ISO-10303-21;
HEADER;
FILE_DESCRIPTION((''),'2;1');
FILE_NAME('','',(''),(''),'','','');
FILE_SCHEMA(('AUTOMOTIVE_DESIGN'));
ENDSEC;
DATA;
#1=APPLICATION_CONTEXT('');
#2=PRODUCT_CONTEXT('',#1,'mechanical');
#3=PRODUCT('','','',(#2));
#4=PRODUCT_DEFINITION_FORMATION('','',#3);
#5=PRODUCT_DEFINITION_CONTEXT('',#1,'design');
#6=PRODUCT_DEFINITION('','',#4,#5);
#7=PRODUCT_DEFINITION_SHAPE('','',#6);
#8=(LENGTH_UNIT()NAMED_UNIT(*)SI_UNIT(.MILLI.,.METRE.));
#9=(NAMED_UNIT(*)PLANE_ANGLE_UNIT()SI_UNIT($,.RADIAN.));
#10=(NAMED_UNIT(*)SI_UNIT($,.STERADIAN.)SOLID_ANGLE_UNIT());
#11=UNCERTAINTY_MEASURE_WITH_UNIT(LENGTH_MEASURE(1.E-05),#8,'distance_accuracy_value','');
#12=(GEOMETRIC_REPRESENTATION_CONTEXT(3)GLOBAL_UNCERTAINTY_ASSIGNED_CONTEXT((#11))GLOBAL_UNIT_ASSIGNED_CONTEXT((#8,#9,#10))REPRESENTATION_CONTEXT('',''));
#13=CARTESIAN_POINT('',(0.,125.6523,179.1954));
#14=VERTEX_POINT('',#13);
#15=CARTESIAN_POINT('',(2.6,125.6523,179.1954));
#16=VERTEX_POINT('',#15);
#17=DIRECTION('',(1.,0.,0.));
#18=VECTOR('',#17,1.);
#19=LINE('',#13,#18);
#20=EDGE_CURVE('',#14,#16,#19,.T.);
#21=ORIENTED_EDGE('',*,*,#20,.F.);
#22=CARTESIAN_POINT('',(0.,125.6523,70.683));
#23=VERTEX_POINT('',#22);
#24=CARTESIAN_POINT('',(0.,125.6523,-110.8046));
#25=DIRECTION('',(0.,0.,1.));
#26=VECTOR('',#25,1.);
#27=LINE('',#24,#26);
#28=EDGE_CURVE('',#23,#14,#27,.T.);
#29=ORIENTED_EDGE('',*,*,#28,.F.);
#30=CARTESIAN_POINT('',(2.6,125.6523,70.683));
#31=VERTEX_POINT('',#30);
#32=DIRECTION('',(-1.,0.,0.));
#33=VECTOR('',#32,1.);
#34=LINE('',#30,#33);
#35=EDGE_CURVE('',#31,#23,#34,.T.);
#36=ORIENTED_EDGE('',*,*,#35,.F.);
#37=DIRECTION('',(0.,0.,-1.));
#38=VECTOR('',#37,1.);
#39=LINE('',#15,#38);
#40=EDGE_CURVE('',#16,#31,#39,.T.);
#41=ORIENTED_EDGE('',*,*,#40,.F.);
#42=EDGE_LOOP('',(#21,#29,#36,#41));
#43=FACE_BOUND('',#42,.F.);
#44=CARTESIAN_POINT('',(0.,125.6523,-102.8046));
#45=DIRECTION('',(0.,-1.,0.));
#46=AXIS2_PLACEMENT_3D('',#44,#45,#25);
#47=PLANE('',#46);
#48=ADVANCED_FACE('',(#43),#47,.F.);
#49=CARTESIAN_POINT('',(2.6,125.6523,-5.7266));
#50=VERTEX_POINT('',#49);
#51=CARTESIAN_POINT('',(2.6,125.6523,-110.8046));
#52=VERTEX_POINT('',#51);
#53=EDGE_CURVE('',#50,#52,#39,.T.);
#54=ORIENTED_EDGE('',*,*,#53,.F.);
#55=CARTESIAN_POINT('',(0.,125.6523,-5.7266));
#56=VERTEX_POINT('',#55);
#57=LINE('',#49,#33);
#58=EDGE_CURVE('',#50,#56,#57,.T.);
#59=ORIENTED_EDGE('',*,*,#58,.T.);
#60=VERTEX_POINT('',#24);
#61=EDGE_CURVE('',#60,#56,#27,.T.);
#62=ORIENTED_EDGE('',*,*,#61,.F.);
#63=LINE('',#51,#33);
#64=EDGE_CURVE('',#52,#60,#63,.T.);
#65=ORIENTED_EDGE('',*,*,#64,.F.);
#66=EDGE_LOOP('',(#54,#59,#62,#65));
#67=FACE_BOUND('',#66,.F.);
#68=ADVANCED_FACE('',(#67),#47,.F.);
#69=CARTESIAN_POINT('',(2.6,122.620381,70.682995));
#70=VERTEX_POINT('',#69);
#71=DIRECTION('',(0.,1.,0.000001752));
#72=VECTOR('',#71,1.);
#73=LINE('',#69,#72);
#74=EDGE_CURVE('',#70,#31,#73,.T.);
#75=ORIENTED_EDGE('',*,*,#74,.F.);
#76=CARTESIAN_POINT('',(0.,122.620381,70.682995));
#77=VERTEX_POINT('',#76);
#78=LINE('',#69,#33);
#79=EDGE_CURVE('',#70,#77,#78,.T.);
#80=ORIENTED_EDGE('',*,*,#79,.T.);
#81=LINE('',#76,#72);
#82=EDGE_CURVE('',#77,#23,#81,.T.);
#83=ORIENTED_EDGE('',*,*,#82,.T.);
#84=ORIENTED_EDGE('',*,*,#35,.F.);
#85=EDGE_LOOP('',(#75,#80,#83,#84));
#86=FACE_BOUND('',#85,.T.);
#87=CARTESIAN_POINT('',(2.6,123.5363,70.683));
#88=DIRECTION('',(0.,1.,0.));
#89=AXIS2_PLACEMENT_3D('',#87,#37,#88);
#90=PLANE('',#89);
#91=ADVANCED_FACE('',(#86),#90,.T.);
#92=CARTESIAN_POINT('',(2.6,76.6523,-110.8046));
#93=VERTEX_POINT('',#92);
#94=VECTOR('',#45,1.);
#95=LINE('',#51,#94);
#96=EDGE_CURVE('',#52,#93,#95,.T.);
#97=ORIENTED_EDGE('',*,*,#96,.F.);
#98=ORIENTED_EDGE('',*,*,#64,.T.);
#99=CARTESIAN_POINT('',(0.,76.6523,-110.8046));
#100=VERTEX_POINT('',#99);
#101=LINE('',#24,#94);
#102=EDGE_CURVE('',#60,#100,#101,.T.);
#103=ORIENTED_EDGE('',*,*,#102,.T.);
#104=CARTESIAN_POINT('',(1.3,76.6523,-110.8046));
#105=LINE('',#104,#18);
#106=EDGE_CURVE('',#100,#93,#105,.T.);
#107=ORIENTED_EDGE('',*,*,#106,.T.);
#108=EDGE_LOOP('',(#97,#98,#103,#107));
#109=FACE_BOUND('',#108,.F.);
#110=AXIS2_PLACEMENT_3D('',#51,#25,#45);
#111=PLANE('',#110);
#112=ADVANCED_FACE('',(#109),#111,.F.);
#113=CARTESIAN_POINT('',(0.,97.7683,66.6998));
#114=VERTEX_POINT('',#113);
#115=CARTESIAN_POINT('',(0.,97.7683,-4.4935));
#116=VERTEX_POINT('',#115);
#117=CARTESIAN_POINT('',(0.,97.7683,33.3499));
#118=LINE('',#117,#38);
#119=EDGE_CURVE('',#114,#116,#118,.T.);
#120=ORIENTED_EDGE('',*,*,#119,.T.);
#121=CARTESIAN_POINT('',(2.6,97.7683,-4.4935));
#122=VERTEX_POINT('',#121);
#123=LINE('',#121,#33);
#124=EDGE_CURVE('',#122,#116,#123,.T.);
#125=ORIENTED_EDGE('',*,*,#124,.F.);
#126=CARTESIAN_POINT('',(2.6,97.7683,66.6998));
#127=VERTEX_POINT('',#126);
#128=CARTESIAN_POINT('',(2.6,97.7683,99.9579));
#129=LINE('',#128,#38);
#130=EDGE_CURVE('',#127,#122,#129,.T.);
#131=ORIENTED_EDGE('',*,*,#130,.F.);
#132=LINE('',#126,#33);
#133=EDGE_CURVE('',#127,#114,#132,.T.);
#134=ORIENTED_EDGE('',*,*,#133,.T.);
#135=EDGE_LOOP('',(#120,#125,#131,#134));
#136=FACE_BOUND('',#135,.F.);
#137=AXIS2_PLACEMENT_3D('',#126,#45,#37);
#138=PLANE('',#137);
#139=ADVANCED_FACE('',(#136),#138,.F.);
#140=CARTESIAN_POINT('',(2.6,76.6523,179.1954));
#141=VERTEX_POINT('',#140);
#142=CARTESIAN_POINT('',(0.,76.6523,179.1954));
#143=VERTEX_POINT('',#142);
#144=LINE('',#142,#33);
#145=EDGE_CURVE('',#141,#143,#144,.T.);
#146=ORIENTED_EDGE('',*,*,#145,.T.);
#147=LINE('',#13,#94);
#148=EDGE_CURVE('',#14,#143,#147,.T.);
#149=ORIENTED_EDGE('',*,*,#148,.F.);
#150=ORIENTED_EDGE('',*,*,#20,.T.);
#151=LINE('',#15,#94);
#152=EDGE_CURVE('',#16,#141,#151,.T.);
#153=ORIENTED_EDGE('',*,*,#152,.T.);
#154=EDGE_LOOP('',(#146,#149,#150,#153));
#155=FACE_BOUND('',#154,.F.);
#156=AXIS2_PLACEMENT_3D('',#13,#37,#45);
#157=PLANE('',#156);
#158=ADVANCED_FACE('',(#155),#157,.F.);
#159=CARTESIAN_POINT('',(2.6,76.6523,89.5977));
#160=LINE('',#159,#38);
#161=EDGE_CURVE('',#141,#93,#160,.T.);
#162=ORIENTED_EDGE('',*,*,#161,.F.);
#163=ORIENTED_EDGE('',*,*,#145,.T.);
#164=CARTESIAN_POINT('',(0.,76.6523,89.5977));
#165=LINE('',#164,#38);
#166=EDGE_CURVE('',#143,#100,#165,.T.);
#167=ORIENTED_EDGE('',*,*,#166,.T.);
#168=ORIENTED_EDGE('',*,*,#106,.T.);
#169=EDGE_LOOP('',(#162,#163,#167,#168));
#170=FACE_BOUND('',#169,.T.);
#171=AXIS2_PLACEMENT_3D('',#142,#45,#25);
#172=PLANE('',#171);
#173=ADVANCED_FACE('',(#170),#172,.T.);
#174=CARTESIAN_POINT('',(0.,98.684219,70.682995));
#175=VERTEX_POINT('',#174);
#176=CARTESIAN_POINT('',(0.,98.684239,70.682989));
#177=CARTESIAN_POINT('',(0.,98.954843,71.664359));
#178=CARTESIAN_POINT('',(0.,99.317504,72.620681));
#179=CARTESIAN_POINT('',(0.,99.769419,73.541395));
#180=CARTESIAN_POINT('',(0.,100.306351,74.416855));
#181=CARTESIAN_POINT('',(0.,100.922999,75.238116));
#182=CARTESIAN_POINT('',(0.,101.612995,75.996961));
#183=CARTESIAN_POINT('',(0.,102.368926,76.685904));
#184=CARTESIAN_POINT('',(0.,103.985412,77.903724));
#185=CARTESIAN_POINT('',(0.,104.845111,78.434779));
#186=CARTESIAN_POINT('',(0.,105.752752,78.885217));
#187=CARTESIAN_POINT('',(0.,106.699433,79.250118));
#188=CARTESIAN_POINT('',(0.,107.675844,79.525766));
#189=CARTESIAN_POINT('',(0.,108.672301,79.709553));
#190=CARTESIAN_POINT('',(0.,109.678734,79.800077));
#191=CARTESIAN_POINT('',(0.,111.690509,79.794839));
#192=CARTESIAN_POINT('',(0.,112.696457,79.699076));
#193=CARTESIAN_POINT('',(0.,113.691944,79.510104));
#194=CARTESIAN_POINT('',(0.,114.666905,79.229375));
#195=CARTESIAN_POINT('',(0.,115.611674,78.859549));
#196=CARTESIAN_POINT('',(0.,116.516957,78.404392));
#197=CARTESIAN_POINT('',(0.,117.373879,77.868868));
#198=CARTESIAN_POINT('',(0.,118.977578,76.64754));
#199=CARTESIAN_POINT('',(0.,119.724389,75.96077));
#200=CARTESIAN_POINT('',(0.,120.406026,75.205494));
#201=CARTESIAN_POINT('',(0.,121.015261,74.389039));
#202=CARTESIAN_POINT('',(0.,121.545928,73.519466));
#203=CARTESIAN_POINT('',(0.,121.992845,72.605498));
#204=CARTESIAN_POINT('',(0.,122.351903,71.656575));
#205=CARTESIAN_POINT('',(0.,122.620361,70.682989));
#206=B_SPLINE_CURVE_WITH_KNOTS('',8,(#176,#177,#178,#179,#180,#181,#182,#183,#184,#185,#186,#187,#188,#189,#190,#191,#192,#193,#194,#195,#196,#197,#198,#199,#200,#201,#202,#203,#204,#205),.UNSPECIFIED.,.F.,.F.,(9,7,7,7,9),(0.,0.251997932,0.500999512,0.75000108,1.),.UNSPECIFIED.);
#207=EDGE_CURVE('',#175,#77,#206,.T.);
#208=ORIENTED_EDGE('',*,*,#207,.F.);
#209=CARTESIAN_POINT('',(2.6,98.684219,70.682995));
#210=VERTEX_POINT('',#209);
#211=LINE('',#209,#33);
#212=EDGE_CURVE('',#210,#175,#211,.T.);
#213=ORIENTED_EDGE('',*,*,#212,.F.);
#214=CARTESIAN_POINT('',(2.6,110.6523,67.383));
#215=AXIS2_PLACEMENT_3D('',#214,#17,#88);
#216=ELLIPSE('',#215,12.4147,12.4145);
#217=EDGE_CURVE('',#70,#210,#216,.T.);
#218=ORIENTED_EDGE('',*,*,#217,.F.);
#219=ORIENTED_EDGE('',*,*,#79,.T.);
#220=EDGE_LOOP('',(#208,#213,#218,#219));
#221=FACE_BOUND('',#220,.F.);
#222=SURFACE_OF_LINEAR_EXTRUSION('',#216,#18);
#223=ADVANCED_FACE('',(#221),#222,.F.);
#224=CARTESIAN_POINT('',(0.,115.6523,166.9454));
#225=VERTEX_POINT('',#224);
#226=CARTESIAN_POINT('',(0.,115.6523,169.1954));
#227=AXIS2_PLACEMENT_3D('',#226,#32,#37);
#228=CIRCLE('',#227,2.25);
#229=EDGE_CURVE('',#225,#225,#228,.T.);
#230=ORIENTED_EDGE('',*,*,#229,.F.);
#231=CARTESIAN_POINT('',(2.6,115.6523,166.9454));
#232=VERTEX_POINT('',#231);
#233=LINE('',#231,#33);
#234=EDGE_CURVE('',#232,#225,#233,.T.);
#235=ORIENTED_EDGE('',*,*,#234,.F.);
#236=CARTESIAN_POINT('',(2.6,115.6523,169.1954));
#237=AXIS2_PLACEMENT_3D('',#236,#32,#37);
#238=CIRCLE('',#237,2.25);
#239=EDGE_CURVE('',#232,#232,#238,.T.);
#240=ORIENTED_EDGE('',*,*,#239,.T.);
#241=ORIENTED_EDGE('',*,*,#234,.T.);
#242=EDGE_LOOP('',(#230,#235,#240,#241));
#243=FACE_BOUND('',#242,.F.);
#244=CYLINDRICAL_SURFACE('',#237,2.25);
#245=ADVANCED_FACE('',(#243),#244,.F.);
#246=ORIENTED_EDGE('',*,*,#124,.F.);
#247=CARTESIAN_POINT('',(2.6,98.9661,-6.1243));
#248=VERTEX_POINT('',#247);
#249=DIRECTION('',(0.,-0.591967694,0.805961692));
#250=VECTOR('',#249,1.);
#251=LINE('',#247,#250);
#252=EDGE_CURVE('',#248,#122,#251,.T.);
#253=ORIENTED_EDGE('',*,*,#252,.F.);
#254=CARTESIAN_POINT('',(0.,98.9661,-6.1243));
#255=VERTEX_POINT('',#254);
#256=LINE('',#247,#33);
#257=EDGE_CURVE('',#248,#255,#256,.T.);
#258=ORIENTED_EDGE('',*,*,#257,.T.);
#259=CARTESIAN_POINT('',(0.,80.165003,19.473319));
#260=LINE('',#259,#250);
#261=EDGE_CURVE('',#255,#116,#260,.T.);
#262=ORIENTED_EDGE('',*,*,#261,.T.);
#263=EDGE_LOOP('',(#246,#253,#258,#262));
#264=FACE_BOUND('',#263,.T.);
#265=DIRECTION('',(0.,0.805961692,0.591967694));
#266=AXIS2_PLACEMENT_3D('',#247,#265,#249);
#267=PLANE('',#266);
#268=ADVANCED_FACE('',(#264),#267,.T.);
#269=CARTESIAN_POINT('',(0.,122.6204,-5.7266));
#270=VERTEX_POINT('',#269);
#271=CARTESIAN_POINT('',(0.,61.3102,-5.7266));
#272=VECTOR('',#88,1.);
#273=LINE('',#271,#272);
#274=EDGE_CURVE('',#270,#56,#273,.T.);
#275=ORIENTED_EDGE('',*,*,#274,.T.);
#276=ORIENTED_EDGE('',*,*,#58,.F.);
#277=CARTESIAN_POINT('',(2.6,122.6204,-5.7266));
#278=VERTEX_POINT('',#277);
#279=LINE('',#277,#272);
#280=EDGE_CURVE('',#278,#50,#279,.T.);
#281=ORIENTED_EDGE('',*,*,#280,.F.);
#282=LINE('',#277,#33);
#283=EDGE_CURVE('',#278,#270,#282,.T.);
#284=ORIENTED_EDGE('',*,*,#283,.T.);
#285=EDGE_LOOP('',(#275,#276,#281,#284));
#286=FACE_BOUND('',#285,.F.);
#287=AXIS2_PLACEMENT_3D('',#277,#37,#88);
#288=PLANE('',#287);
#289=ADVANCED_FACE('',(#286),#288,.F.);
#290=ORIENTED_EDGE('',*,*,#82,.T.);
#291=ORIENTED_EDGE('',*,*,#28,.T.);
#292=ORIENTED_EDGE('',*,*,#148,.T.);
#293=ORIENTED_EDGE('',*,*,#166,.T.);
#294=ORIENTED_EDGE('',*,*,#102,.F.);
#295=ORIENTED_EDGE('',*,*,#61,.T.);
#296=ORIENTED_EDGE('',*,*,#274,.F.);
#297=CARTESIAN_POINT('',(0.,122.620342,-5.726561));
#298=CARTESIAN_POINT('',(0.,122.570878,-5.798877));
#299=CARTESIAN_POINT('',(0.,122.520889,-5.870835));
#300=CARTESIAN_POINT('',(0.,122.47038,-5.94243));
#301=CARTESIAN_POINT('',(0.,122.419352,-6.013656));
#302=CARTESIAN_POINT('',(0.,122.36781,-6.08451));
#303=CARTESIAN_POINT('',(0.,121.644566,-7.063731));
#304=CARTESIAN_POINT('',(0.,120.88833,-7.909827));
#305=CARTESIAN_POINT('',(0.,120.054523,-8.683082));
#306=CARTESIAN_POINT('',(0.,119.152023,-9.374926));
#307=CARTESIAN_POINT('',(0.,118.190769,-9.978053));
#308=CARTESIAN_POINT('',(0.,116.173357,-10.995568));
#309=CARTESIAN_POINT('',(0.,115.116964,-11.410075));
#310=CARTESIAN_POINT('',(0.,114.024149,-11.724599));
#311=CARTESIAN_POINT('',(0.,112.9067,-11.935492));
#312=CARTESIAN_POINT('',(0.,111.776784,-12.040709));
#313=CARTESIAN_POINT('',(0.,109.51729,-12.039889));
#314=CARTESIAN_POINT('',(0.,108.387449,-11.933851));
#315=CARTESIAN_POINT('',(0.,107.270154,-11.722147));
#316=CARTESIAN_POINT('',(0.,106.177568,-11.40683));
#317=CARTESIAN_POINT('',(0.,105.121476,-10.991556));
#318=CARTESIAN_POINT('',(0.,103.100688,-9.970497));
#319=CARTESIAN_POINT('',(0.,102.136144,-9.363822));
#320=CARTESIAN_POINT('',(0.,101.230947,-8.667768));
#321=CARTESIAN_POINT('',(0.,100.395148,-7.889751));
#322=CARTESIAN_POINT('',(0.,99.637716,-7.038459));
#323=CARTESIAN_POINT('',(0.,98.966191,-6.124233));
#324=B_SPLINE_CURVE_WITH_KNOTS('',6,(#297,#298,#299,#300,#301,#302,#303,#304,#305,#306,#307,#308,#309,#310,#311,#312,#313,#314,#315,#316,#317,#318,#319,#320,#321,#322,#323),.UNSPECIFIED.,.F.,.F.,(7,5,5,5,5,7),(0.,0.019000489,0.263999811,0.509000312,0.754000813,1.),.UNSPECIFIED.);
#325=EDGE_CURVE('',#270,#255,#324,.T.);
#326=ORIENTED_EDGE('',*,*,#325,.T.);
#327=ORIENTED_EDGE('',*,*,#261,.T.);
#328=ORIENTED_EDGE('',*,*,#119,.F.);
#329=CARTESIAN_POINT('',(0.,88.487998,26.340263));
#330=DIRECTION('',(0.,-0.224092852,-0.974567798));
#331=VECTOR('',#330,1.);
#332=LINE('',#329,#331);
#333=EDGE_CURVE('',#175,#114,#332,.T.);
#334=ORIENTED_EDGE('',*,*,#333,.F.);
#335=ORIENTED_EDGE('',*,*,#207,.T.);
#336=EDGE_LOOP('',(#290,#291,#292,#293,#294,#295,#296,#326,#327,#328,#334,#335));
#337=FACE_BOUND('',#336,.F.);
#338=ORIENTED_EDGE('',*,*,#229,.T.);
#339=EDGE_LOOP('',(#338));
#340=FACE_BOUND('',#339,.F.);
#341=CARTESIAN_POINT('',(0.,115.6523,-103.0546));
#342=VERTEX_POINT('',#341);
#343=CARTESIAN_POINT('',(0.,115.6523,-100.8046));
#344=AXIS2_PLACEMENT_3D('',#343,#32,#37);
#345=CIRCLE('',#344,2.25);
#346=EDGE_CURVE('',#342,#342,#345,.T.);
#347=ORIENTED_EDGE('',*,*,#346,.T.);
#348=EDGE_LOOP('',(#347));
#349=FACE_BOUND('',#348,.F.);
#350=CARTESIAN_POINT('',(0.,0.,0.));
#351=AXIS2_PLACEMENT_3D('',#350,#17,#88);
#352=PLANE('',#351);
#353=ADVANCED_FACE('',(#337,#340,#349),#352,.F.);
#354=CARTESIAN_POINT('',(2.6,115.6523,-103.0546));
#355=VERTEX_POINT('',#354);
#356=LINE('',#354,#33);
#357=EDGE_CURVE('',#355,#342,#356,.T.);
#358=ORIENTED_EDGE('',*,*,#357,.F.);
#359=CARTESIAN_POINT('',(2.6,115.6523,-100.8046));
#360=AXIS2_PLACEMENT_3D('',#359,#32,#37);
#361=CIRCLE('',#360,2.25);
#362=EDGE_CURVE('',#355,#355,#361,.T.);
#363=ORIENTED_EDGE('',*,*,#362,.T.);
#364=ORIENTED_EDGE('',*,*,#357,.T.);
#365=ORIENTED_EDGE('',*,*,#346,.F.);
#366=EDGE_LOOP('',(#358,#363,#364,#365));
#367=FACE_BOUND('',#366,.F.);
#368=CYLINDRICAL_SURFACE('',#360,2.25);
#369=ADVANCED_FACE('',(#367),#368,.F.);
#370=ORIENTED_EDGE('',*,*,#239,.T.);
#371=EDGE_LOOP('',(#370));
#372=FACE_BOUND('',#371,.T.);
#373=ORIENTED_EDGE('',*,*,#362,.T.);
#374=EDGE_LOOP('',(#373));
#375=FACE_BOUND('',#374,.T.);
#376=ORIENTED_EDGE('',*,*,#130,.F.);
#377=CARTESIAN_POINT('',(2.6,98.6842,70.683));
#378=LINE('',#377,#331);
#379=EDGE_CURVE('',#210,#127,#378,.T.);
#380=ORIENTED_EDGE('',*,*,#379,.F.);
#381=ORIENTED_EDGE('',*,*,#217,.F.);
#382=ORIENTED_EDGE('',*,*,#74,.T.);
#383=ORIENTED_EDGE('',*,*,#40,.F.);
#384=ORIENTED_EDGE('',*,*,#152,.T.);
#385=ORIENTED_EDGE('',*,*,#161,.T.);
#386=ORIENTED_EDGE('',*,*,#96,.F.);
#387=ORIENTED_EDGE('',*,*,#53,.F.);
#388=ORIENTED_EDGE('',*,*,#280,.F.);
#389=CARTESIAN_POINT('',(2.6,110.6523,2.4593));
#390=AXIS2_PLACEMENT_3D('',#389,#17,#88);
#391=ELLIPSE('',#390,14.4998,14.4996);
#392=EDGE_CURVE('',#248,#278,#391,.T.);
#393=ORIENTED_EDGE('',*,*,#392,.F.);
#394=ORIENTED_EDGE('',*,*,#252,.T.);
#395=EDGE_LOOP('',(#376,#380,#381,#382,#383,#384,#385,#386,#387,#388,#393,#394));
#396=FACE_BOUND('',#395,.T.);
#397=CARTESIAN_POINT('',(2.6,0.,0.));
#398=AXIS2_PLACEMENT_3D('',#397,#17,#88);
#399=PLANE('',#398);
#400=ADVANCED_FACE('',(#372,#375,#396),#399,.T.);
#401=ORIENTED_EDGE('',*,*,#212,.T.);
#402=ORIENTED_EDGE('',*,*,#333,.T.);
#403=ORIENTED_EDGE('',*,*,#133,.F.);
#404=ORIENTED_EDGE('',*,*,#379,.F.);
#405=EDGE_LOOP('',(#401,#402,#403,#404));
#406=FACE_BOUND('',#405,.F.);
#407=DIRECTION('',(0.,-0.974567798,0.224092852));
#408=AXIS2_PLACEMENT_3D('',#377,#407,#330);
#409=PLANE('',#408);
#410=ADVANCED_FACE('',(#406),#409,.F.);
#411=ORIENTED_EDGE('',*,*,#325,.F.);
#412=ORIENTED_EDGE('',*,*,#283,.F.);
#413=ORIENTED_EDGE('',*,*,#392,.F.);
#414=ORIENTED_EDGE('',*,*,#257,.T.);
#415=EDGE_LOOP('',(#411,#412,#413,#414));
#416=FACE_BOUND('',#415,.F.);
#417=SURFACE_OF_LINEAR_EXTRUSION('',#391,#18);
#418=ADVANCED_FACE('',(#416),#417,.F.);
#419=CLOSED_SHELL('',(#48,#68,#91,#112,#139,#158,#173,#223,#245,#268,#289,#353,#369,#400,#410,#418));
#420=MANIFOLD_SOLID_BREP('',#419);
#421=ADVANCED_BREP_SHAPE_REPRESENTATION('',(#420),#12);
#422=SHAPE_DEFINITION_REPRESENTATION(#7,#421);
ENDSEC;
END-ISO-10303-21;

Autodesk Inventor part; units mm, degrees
ref_plane "YZ Plane" through (0, 0, 0) normal (1, 0, 0) x (0, 1, 0)
ref_plane "XZ Plane" through (0, 0, 0) normal (0, 1, 0) x (-1, 0, 0)
sketch "スケッチ1" plane through (0, 0, 0) normal (1, 0, 0) x (0, 1, 0)
  line L0 (125.6523, 179.1954) -> (-474.3477, 179.1954)
  line L1 (-474.3477, 179.1954) -> (-474.3477, -102.8046)
  line L2 (-474.3477, -102.8046) -> (125.6523, -102.8046)
  line L3 (125.6523, -102.8046) -> (125.6523, 179.1954)
  dimension "d0" = 600
  dimension "d1" = 282
extrude "押し出し1" add sketch "スケッチ1" along normal blind 2.6
sketch "スケッチ4" plane through (2.6, 0, 0) normal (1, 0, 0) x (0, 0, -1)
  line L0 (102.8046, 125.6523) -> (-179.1954, 125.6523) projected
  line L1 (-179.1954, 125.6523) -> (-179.1954, -474.3477) projected
  point P0 (0, 0)
  point P1 (-139.1954, -225.3477)
  point P2 (-139.1954, -123.3477)
  dimension "d19" = 102
  dimension "d20" = 249
  dimension "d21" = 40
  dimension "d22" = 40
hole "穴2" at (2.6, -225.3477, 139.1954) at (2.6, -123.3477, 139.1954) direction (-1, 0, 0) diameter 6.6 end through all
sketch "スケッチ5" plane through (2.6, 0, 0) normal (1, 0, 0) x (0, 0, -1)
  line L0 (-179.1954, 125.6523) -> (-179.1954, -474.3477) projected
  line L1 (102.8046, 125.6523) -> (-179.1954, 125.6523) projected
  point P0 (-152.1954, -84.3477)
  dimension "d30" = 27
  dimension "d31" = 210
hole "穴3" at (2.6, -84.3477, 152.1954) direction (-1, 0, 0) diameter 18 end through all
sketch "スケッチ6" plane through (2.6, 0, 0) normal (1, 0, 0) x (0, 0, -1)
  line L0 (-179.1954, 125.6523) -> (-179.1954, -474.3477) projected
  circle A0 centre (-152.1954, -84.3477) radius 9 projected
  point P0 (0, 0)
  point P1 (-166.6954, -53.9477)
  point P2 (-151.6954, -53.9477)
  dimension "d39" = 12.5
  dimension "d40" = 27.5
  dimension "d41" = 30.4
  dimension "d42" = 30.4
hole "穴4" at (2.6, -53.9477, 166.6954) at (2.6, -53.9477, 151.6954) direction (-1, 0, 0) diameter 4.5 end through all
sketch "スケッチ7" plane through (2.6, 0, 0) normal (1, 0, 0) x (0, 0, -1)
  line L0 (102.8046, 125.6523) -> (-179.1954, 125.6523) projected
  line L1 (102.8046, -474.3477) -> (102.8046, 125.6523) projected
  line L2 (-179.1954, -474.3477) -> (102.8046, -474.3477) projected
  point P0 (0, 0)
  point P1 (84.0046, -56.9477)
  point P2 (84.0046, -291.9477)
  dimension "d50" = 182.6
  dimension "d51" = 18.8
  dimension "d52" = 18.8
  dimension "d53" = 182.4
hole "穴5" at (2.6, -56.9477, -84.0046) at (2.6, -291.9477, -84.0046) direction (-1, 0, 0) diameter 6.7 end through all
sketch "スケッチ8" plane through (2.6, 0, 0) normal (1, 0, 0) x (0, 0, -1)
  line L0 (102.8046, -474.3477) -> (102.8046, 125.6523) projected
  line L1 (102.8046, 125.6523) -> (110.8046, 125.6523)
  line L2 (117.7603, -23.9477) -> (102.8046, -23.9477)
  line L3 (102.8046, -89.9477) -> (117.7603, -89.9477)
  line L4 (110.8046, 125.6523) -> (110.8046, -474.3477)
  line L5 (110.8046, -474.3477) -> (102.8046, -474.3477)
  line L6 (102.8046, -258.9477) -> (110.8046, -258.9477)
  line L7 (102.8046, -324.9477) -> (110.8046, -324.9477)
  circle A0 centre (84.0046, -56.9477) radius 3.35 projected
  circle A1 centre (84.0046, -291.9477) radius 3.35 projected
  point P0 (0, 0)
  point P1 (110.8046, -23.9477)
  point P2 (110.8046, -89.9477)
  dimension "d61" = 8
  dimension "d62" = 33
  dimension "d63" = 33
  dimension "d64" = 33
  dimension "d65" = 33
extrude "押し出し3" add sketch "スケッチ8" against normal blind 2.6 contours L0 L7 L4 L5 | L0 L3 L4 L6 | L0 L1 L4 L2
sketch "スケッチ9" plane through (2.6, 0, 0) normal (1, 0, 0) x (0, 0, -1)
  ellipse E0 centre (-2.4593, 110.6523) end of major axis (-2.4593, 125.1521) minor radius 14.4996 (5.606, 98.6026) -> (5.606, 122.702) ccw
  line L0 (4.4935, 123.5363) -> (-99.9579, 123.5363) projected
  line L1 (-99.9579, 97.7683) -> (4.4935, 97.7683) projected
  ellipse E1 centre (-67.383, 110.6523) end of major axis (-67.383, 123.067) minor radius 12.4145 (-70.683, 122.6204) -> (-70.683, 98.6842) ccw projected
  line L2 (-70.683, 122.6204) -> (-70.683, 125.6523)
  line L3 (102.8046, 125.6523) -> (-179.1954, 125.6523) projected
  line L4 (5.7266, 122.6204) -> (5.7266, 125.6523)
  line L5 (5.7266, 125.6523) -> (-70.683, 125.6523)
  line L6 (6.1243, 98.9661) -> (4.4935, 97.7683)
  line L7 (-70.683, 98.6842) -> (-66.6998, 97.7683)
  point P0 (0, 0)
extrude "押し出し4" cut sketch "スケッチ9" against normal blind 3
ref_plane "作業平面2" through (0, 76.6523, 179.1954) normal (0, 1, 0) x (1, 0, 0)
split "分割2" plane through (0, 76.6523, 179.1954) removes the side toward (0, -1, 0)
sketch "スケッチ10" plane through (2.6, 0, 0) normal (1, 0, 0) x (0, 0, -1)
  line L0 (-70.683, 125.6523) -> (-179.1954, 125.6523) projected
  line L1 (-179.1954, 125.6523) -> (-179.1954, 76.6523) projected
  line L2 (110.8046, 125.6523) -> (5.7266, 125.6523) projected
  line L3 (110.8046, 76.6523) -> (110.8046, 125.6523) projected
  point P0 (0, 0)
  point P1 (-169.1954, 115.6523)
  point P2 (100.8046, 115.6523)
  dimension "d72" = 10
  dimension "d73" = 10
  dimension "d74" = 10
  dimension "d75" = 10
hole "穴6" at (2.6, 115.6523, 169.1954) at (2.6, 115.6523, -100.8046) direction (-1, 0, 0) diameter 4.5 depth 6 tip angle 118
properties part number "lc_box_side" material "ポリカーボネート、クリア"
